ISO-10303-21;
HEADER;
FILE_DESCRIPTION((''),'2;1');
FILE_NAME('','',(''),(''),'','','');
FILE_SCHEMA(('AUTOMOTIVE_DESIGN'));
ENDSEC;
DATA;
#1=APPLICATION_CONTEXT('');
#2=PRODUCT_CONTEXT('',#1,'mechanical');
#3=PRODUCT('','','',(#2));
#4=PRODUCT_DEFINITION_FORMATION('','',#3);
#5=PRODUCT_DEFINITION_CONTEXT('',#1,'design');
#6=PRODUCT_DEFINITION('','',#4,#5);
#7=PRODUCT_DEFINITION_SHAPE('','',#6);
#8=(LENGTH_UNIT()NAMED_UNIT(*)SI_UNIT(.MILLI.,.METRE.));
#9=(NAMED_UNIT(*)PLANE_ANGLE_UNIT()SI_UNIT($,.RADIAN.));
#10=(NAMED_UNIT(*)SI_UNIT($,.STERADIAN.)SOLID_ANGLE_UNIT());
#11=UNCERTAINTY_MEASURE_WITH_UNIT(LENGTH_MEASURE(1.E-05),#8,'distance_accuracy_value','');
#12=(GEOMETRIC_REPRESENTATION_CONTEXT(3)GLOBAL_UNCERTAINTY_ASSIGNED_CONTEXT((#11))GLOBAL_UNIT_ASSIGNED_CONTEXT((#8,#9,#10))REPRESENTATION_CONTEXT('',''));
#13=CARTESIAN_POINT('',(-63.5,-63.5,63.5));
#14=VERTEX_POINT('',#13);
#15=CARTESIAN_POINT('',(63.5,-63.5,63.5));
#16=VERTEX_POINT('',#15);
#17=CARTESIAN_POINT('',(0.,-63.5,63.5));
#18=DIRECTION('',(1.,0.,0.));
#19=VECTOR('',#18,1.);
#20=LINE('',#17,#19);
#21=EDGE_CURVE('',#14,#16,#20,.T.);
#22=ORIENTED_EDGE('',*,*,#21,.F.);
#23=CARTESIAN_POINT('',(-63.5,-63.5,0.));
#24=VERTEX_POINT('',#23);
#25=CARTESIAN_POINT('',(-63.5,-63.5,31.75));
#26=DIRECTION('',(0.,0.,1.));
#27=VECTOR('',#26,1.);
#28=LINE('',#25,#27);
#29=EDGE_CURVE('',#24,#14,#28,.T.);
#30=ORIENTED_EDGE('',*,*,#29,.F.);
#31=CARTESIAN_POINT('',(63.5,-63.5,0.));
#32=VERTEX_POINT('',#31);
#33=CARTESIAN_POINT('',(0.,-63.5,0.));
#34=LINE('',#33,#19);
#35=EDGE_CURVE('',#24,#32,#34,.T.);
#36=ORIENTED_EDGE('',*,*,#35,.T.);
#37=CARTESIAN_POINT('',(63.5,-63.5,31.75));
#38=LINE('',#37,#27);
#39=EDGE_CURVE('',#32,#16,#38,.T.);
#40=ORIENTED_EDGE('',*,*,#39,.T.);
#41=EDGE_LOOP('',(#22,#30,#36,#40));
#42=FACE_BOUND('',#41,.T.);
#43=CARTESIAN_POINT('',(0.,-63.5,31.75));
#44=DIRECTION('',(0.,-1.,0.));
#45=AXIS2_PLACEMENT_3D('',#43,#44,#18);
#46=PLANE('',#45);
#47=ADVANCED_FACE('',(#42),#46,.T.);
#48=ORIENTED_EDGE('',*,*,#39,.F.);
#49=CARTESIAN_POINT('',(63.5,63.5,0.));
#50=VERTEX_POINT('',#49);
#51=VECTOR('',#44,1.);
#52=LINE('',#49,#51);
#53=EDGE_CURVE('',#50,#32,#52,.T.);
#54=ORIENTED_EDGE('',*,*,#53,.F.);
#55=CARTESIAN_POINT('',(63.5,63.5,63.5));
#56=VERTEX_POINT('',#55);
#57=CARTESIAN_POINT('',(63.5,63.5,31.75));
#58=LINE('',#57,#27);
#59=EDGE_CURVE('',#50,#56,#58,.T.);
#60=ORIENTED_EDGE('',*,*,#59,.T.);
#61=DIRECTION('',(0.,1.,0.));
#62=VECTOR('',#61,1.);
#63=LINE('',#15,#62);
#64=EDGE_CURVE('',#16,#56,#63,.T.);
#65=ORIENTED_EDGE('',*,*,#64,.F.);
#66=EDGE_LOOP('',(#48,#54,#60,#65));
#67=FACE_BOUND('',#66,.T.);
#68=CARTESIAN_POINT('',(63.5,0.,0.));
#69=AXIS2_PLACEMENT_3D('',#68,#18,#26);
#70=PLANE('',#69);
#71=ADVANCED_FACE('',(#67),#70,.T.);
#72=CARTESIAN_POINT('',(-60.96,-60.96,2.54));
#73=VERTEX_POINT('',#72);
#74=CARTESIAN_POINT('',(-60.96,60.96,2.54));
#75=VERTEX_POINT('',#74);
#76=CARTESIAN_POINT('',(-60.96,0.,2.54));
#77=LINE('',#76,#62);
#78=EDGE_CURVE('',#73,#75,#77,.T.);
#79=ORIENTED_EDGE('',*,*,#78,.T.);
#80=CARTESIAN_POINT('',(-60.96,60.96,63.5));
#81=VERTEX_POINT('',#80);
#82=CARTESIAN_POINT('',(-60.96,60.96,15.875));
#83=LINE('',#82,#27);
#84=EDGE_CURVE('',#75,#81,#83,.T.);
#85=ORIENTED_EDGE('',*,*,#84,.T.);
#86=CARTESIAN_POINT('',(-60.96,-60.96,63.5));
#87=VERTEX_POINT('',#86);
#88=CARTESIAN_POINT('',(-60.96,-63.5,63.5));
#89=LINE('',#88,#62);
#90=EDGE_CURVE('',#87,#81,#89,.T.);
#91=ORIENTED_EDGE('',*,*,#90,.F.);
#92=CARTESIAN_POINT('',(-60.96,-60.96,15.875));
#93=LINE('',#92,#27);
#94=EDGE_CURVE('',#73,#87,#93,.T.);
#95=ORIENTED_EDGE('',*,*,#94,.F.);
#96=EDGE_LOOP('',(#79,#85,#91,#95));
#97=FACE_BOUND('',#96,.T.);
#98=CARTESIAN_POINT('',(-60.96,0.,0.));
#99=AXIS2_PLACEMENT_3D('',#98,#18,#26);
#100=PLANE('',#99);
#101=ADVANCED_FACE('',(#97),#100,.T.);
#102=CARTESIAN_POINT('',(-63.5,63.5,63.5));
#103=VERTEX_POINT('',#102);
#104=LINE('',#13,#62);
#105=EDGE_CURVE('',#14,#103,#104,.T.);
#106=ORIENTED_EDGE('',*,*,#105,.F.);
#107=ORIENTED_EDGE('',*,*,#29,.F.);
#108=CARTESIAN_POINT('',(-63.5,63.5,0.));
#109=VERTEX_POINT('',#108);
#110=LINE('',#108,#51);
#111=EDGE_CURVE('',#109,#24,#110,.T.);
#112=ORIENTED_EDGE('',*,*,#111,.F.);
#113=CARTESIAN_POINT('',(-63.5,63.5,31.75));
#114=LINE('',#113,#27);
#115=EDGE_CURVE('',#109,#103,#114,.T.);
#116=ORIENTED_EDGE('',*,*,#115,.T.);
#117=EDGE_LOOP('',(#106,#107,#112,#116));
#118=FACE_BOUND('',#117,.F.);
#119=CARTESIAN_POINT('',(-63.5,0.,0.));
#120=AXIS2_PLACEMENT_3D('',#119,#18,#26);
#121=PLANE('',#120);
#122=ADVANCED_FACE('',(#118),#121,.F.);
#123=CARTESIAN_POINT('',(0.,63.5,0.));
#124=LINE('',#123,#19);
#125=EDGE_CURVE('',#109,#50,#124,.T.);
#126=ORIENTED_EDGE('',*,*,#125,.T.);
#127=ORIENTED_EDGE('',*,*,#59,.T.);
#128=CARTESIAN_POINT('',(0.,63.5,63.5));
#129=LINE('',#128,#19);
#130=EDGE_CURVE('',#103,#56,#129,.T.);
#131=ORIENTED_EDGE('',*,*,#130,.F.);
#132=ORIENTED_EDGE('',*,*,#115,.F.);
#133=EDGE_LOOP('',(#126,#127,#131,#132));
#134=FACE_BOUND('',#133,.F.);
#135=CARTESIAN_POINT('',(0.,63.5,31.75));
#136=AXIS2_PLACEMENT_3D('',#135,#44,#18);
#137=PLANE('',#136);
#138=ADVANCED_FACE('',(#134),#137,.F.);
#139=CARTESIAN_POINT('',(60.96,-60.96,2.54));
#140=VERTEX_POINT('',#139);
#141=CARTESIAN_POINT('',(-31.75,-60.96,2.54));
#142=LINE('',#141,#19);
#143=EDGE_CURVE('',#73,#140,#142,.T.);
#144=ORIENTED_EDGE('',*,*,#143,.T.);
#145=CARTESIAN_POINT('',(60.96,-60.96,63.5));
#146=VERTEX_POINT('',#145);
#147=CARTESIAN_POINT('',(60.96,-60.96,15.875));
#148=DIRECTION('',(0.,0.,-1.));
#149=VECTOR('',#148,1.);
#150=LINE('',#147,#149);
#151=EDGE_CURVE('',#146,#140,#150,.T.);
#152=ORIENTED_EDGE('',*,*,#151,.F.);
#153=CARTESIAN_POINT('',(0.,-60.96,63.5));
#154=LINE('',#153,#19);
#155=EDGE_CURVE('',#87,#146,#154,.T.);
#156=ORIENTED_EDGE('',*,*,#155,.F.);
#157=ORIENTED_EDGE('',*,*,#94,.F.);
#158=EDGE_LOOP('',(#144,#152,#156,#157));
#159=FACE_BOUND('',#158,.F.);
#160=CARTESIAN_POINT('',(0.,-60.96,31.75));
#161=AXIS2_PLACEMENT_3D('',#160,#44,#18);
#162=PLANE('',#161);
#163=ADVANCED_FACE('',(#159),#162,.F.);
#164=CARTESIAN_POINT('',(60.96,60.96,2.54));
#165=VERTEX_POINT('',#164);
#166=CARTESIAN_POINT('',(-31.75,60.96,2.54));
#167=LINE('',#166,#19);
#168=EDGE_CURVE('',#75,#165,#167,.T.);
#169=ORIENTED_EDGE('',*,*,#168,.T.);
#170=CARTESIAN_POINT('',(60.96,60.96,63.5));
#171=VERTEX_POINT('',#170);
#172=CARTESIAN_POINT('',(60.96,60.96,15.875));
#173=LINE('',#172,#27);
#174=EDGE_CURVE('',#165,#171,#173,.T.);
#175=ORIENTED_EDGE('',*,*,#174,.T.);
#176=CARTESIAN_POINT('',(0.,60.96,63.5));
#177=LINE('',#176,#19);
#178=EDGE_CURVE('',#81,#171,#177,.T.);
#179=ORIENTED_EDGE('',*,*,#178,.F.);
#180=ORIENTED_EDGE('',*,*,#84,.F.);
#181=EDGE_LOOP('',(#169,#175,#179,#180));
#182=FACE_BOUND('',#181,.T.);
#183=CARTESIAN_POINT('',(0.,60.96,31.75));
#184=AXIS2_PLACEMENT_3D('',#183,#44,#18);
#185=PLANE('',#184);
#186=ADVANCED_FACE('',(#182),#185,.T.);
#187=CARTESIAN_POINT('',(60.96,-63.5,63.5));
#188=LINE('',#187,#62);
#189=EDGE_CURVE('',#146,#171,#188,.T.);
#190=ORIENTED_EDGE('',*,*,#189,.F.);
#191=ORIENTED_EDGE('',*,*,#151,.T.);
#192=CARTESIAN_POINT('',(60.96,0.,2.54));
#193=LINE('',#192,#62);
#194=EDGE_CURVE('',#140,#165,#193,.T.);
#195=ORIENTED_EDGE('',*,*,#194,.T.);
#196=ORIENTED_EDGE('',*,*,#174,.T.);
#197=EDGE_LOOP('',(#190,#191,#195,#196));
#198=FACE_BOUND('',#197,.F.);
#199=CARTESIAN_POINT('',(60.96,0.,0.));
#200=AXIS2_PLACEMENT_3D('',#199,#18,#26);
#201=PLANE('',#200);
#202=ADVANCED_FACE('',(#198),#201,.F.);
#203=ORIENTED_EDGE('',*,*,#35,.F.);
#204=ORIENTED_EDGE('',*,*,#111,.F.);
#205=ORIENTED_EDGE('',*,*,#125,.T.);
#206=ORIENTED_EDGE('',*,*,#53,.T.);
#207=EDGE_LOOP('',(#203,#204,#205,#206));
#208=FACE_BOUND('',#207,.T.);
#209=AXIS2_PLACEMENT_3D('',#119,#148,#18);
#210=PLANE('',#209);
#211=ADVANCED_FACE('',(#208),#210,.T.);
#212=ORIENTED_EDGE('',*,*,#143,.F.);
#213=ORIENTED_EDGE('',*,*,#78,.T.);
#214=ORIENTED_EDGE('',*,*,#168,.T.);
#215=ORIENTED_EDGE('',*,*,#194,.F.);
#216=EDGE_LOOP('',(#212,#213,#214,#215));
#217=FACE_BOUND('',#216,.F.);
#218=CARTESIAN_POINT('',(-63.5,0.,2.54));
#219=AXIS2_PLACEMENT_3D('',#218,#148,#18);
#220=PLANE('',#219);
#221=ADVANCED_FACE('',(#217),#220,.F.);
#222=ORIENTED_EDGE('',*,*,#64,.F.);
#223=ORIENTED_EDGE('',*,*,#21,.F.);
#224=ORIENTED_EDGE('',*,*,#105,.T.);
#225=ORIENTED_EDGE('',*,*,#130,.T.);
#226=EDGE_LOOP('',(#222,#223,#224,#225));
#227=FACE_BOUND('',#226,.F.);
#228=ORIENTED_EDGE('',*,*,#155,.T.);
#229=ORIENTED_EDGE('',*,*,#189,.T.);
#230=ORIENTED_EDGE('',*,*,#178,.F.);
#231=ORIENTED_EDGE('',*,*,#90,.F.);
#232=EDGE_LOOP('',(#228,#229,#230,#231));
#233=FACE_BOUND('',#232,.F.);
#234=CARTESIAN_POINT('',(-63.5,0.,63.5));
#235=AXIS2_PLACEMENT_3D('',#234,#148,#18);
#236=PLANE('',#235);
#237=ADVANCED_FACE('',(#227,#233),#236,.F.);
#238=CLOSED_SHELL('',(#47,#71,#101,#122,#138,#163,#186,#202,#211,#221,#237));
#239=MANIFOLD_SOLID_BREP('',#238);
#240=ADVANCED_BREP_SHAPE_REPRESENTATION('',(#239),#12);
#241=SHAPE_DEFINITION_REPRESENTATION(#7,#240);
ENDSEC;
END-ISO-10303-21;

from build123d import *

# Parameters (mm, degrees)
F0_W          = 127
F0_H          = 63.5
F1_DEPTH      = 63.5
F1_DEPTH_BACK = 63.5
F2_T          = -2.54


with BuildPart() as f1:
    # F0 (on Front) → F1 (new body, two sides)
    with BuildSketch(Plane.XZ) as f1_sk:
        with Locations((0, 31.75)):
            Rectangle(F0_W, F0_H)
    extrude(amount=F1_DEPTH)
    extrude(f1_sk.sketch, amount=-F1_DEPTH_BACK)

    # F2
    f2_openings = [f1.faces().sort_by_distance(p)[0] for p in [
        (0, 0, 63.5),
    ]]
    offset(amount=F2_T, openings=f2_openings)


solid = f1.part
